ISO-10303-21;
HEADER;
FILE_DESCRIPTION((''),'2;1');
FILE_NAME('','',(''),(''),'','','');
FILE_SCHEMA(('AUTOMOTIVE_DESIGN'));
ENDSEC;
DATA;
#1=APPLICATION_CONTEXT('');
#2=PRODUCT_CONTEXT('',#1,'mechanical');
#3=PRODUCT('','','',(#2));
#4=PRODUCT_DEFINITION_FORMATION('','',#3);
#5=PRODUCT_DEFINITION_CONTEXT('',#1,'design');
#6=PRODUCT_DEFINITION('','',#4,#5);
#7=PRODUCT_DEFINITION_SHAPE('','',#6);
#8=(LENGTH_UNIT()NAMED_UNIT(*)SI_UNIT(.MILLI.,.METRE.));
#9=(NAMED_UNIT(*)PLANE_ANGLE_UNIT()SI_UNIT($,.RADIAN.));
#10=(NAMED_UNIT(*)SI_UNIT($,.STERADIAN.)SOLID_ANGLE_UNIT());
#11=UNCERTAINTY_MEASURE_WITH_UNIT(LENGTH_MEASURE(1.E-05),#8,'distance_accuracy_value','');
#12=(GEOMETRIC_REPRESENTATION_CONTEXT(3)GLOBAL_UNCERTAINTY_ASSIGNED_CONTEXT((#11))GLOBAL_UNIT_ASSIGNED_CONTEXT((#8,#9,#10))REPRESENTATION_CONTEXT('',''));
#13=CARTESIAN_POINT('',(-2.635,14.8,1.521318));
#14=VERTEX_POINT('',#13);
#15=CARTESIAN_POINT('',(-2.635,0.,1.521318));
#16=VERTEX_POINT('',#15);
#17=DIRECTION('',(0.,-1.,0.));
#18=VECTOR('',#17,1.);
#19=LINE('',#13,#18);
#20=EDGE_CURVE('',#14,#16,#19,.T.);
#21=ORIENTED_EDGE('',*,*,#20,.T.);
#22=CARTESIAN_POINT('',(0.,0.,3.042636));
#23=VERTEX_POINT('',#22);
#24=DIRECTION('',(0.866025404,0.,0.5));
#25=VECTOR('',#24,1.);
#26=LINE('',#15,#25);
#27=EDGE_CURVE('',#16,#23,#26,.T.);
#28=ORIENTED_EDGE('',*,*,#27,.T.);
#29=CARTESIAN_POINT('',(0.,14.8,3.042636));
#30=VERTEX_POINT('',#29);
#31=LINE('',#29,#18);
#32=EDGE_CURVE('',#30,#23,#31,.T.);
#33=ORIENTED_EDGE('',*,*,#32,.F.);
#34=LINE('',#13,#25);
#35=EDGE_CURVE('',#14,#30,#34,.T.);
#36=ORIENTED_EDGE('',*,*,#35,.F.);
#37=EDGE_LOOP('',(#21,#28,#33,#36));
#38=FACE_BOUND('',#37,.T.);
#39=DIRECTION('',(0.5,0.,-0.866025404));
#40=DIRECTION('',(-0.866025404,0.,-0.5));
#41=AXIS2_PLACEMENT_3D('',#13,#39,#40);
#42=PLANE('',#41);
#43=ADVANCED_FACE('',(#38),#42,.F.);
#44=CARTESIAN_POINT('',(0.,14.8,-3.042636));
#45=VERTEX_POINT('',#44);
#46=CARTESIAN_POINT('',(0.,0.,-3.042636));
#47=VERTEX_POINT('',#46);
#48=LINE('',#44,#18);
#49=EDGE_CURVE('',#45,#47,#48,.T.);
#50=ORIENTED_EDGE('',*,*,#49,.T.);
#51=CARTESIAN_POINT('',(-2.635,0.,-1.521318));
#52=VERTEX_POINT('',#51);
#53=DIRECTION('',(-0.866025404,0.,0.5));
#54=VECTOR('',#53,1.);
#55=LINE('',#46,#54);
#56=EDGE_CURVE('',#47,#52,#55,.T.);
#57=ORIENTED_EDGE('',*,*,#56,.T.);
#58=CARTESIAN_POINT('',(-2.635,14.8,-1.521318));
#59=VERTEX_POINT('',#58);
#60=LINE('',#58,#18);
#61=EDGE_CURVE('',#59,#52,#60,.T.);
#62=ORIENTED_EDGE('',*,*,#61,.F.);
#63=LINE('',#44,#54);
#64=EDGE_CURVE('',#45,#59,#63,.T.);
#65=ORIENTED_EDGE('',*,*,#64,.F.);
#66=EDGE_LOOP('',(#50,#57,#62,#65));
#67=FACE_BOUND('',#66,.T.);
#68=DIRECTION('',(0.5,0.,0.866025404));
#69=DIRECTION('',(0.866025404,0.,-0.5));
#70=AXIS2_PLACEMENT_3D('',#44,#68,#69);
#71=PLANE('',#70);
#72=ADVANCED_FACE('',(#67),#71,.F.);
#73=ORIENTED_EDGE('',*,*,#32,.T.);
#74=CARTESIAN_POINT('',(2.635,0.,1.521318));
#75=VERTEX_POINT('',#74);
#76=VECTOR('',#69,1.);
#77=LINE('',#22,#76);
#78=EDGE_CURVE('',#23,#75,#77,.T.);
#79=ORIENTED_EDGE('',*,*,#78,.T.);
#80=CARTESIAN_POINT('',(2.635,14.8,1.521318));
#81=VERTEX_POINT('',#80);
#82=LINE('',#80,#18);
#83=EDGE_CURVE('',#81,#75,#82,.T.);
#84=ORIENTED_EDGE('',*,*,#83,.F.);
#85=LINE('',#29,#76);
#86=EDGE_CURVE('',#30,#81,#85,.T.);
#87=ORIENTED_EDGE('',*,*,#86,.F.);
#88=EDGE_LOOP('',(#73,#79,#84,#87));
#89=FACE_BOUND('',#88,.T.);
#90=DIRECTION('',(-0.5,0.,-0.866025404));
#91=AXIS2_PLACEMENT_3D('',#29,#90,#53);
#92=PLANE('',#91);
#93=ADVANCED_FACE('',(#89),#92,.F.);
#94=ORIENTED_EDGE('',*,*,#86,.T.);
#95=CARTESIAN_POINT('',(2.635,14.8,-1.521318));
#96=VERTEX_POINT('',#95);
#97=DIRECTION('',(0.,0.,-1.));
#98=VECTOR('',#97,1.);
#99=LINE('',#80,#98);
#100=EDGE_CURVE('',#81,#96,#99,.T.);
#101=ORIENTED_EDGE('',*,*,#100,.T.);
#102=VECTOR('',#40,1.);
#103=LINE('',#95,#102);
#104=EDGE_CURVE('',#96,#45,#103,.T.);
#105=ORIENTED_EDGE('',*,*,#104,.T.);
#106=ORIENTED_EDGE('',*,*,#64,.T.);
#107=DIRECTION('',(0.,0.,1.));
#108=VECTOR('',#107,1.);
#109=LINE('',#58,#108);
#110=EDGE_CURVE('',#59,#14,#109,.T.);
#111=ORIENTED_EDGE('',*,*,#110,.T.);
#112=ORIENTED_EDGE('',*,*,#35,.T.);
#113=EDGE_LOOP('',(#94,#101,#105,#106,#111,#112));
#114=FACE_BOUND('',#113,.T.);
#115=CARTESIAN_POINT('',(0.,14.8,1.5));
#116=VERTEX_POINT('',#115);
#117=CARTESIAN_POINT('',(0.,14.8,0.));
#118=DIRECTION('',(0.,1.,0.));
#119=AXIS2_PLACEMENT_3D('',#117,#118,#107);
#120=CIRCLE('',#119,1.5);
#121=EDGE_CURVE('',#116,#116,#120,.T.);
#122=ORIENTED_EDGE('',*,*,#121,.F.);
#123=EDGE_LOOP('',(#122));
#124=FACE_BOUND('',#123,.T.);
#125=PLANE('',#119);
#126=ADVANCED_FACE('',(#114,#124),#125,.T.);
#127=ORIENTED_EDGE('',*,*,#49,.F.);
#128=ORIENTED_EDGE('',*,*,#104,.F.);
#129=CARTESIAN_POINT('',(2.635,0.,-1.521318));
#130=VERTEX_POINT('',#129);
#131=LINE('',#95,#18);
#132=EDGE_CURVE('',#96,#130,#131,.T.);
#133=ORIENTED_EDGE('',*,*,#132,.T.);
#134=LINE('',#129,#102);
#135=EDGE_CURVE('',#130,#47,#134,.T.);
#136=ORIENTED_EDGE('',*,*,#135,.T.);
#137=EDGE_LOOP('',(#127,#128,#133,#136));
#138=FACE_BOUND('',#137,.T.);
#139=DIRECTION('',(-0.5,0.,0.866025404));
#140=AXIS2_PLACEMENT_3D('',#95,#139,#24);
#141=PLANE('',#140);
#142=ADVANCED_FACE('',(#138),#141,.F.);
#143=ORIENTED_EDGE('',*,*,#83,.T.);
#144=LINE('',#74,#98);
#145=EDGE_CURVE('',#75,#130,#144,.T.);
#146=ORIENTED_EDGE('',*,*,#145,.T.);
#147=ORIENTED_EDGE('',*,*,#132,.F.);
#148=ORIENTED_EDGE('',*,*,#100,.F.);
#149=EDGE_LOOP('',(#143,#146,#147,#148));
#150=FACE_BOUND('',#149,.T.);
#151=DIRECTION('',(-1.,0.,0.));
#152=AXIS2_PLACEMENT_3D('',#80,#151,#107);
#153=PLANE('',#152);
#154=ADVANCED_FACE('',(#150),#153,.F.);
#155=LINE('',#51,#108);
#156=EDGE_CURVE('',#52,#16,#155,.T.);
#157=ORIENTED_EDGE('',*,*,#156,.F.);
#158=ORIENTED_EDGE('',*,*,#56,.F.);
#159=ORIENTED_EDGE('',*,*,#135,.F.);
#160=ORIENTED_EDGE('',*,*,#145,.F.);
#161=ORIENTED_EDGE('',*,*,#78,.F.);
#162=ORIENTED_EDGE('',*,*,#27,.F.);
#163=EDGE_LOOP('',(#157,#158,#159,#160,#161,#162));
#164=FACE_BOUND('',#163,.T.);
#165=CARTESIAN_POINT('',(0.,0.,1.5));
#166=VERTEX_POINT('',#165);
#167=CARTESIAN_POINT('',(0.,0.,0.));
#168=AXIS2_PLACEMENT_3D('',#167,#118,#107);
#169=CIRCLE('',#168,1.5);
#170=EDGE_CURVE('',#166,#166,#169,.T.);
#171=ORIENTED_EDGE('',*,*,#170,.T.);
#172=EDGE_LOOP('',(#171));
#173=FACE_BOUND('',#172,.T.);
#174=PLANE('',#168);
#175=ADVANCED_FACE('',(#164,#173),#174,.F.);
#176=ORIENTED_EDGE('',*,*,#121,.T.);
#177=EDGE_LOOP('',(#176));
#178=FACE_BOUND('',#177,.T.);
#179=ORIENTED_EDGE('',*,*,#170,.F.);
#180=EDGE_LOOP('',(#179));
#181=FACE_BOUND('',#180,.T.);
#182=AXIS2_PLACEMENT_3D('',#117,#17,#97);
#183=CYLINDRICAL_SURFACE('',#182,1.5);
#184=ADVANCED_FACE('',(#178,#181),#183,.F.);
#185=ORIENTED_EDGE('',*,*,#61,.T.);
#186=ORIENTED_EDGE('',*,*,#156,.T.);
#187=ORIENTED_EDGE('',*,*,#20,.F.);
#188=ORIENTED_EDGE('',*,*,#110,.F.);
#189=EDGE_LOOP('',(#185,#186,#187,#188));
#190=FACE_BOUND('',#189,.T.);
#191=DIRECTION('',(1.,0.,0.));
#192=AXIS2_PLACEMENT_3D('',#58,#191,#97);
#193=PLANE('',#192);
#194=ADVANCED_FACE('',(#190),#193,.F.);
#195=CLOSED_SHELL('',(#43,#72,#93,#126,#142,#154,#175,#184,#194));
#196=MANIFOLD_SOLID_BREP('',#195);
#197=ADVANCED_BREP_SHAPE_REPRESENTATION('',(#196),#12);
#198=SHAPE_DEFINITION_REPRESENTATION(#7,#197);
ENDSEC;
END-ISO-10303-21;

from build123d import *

# Parameters (mm, degrees)
SKETCH_1_R      = 1.5
EXTRUDE_1_DEPTH = 14.8


with BuildPart() as part:
    # Эскиз1 → Бобышка-Вытянуть1 (new body)
    with BuildSketch(Plane(origin=(0, 0, 0), x_dir=(1, 0, 0), z_dir=(0, 1, 0))):
        Polygon((0, 3.042635919), (-2.635, 1.521317959), (-2.635, -1.521317959), (0, -3.042635919), (2.635, -1.521317959), (2.635, 1.521317959), align=None)
        Circle(SKETCH_1_R, mode=Mode.SUBTRACT)
    extrude(amount=EXTRUDE_1_DEPTH)


solid = part.part
